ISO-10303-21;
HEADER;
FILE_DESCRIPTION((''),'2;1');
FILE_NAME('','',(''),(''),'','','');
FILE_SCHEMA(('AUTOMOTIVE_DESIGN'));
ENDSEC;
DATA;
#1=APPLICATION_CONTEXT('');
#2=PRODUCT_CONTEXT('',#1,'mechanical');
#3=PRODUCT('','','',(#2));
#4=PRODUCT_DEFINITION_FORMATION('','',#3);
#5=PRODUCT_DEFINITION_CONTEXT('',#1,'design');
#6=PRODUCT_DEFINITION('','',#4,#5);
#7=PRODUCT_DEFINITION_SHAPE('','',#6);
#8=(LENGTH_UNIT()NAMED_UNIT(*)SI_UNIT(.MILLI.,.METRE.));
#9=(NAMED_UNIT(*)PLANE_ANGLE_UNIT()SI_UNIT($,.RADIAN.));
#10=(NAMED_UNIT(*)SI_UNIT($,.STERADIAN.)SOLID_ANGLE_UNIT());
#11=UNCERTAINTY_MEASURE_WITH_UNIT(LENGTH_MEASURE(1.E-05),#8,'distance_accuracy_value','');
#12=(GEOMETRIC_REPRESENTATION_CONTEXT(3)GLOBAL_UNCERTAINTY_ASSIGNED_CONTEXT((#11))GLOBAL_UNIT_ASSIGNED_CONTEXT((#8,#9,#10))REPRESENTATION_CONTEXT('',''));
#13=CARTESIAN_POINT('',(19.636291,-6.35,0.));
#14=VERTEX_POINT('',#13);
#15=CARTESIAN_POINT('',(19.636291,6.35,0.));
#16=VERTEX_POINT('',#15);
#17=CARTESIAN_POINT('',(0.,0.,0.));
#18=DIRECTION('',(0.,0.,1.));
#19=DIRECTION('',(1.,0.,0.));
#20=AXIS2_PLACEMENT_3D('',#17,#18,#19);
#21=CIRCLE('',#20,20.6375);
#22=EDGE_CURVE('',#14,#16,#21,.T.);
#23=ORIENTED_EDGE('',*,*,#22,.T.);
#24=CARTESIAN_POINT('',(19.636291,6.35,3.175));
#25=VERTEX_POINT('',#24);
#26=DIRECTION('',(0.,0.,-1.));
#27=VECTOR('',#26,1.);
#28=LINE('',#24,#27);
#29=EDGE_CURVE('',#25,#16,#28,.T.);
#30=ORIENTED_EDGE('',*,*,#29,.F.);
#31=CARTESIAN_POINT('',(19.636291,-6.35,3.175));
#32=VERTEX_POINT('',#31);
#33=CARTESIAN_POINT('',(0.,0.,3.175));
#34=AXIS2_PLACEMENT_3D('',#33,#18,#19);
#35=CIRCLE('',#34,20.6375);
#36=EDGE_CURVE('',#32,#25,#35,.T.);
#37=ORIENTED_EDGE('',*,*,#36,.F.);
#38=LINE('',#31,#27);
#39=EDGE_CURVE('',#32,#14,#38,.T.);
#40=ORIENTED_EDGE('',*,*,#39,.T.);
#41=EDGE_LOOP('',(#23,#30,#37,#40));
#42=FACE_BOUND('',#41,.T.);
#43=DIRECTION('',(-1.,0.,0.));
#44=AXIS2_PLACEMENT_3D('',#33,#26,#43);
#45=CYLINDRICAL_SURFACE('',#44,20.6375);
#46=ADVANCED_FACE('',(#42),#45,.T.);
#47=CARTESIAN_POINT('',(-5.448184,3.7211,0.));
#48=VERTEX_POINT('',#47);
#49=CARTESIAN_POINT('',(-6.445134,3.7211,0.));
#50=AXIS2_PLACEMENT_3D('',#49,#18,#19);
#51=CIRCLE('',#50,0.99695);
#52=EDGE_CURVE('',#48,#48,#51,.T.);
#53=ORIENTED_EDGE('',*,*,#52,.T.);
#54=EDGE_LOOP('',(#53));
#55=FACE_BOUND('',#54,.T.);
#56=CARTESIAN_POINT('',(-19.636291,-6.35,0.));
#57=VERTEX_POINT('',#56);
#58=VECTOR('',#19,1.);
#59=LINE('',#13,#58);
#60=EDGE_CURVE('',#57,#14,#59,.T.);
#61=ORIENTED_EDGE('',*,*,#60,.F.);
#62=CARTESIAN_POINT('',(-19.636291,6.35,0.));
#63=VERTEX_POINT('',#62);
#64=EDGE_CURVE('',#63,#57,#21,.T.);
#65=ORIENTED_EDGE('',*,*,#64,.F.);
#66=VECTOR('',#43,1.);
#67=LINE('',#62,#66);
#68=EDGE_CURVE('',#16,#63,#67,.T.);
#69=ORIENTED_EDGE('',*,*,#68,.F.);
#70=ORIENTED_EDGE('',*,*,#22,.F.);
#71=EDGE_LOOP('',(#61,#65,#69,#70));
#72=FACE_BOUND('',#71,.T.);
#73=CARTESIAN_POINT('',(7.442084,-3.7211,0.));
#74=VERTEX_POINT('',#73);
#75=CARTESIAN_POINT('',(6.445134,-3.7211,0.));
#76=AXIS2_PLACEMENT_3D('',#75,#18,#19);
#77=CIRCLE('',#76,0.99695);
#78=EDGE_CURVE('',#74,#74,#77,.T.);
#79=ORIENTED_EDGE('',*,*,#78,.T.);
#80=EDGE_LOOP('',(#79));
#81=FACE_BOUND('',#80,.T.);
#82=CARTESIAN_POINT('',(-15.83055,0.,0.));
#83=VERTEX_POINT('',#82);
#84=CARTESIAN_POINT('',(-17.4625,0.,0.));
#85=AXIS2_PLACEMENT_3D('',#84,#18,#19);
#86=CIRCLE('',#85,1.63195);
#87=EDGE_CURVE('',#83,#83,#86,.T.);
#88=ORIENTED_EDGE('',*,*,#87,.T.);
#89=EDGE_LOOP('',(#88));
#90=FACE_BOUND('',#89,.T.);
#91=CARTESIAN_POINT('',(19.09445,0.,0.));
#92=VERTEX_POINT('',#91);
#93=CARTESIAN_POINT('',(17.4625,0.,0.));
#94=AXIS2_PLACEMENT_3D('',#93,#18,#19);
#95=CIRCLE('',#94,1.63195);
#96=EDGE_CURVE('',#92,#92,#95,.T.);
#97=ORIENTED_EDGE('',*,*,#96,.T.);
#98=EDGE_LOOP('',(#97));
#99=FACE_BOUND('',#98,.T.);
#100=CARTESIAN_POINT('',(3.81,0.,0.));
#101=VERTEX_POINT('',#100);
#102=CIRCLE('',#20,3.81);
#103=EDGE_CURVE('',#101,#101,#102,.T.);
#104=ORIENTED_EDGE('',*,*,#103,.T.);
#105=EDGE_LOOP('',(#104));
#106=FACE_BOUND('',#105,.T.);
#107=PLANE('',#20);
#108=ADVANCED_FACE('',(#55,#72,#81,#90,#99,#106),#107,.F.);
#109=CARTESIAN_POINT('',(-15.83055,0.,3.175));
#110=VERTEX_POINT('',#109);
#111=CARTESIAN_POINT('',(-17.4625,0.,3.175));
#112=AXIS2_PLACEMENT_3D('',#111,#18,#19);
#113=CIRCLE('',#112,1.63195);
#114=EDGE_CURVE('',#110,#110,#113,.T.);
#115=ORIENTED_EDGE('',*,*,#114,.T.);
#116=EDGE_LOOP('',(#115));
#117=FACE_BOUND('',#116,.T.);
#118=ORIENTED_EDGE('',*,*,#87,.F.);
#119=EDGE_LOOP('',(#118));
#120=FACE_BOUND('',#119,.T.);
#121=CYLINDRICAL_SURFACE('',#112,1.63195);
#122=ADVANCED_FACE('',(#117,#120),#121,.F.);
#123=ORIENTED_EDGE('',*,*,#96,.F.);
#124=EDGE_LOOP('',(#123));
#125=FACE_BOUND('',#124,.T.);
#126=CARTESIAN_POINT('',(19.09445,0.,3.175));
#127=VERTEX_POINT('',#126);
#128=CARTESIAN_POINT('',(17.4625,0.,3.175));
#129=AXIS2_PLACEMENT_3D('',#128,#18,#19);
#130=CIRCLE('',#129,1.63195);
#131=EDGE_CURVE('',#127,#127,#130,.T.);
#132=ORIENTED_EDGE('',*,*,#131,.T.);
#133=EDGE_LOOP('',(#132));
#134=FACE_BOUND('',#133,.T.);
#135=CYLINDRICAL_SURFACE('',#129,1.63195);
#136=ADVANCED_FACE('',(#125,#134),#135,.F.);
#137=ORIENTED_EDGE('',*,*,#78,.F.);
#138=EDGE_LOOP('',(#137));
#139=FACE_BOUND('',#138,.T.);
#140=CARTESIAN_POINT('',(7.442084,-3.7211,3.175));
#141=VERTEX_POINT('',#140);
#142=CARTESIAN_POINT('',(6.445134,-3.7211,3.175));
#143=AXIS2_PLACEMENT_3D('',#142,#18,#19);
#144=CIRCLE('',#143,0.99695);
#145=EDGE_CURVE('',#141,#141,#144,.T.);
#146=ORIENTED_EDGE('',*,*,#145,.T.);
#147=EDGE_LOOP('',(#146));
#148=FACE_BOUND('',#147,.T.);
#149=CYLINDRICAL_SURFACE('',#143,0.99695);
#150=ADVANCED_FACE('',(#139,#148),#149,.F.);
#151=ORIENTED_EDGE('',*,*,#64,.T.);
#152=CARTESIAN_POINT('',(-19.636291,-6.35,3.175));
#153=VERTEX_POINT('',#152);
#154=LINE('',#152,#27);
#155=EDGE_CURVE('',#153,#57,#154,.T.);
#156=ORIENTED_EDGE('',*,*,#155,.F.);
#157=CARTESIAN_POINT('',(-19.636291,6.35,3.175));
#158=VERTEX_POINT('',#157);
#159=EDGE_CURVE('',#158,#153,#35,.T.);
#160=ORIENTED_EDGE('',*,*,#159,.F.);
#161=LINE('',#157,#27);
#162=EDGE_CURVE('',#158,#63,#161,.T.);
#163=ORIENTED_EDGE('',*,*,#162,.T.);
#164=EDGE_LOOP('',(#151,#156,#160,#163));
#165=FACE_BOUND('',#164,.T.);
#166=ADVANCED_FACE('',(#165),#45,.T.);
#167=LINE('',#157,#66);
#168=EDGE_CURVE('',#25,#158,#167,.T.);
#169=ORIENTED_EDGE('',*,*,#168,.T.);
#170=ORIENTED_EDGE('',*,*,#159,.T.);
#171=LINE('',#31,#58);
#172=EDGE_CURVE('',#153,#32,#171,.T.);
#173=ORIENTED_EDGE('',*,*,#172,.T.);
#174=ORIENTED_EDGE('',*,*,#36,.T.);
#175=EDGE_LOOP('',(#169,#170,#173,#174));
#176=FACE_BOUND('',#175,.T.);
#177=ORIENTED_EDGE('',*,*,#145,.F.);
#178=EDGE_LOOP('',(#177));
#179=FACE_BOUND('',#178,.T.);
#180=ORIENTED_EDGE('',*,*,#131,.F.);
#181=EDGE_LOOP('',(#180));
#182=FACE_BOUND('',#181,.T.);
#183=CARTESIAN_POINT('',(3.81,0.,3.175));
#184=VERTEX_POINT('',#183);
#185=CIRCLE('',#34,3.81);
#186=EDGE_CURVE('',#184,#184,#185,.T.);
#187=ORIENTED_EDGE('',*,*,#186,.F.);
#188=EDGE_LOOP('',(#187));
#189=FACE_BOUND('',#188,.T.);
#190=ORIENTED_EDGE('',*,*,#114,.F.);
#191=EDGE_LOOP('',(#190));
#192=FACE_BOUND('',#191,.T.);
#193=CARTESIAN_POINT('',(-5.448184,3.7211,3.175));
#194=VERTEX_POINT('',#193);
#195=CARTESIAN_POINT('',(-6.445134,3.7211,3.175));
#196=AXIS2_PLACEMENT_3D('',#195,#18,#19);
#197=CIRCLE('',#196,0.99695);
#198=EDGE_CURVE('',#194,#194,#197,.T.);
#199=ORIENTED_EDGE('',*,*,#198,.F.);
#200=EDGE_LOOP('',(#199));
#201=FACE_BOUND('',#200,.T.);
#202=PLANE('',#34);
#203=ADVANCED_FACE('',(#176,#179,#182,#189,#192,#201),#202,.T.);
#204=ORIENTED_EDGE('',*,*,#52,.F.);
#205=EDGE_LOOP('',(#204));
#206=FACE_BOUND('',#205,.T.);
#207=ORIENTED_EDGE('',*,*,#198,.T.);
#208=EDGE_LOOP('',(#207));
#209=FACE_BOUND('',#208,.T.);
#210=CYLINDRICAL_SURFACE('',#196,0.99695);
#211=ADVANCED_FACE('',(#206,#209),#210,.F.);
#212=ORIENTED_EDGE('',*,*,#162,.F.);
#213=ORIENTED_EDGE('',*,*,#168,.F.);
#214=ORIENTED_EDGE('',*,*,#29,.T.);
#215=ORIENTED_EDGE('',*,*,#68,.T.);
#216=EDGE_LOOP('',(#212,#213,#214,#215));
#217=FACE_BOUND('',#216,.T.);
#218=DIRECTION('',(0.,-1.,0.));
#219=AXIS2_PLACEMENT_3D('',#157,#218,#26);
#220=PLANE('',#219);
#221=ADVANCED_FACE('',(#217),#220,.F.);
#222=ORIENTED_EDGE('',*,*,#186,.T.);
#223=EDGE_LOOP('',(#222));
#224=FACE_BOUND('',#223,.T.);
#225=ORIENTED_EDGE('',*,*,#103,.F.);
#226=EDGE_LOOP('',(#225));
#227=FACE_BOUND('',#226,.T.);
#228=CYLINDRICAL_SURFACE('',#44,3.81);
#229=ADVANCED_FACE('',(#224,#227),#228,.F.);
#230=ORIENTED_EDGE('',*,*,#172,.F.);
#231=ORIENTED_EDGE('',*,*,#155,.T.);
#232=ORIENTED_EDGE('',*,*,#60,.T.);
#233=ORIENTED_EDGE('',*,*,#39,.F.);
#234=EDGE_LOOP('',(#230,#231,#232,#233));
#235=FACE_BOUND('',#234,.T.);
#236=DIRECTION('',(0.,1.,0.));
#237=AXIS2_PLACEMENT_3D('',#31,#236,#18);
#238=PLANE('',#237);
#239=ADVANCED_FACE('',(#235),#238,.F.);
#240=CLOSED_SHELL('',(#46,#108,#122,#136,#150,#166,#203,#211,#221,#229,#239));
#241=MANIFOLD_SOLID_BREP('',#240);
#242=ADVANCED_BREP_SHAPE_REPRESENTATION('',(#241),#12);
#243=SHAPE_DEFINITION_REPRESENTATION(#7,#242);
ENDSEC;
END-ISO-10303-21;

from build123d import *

# Parameters (mm, degrees)
SKETCH1_R             = 3.81
BOSS_EXTRUDE1_DEPTH   = 3.175
F_4_CLEARANCE_HOLE1_D = 3.2639
F_3_48_TAPPED_HOLE1_D = 1.9939


with BuildPart() as part:
    # Sketch1 → Boss-Extrude1 (new body)
    with BuildSketch(Plane.XY):
        with BuildLine():
            Line((-19.636290542, 6.35), (19.636290542, 6.35))
            ThreePointArc((19.636290542, 6.35), (20.6375, 0), (19.636290542, -6.35))
            Line((19.636290542, -6.35), (-19.636290542, -6.35))
            ThreePointArc((-19.636290542, -6.35), (-20.6375, 0), (-19.636290542, 6.35))
        make_face()
        Circle(SKETCH1_R, mode=Mode.SUBTRACT)
    extrude(amount=BOSS_EXTRUDE1_DEPTH)

    # #4 Clearance Hole1 (through all)
    with Locations(Plane.XY.offset(3.175)):
        with Locations((-17.4625, 0), (17.4625, 0)):
            Hole(F_4_CLEARANCE_HOLE1_D / 2)

    # #3-48 Tapped Hole1 (through all)
    with Locations(Plane.XY.offset(3.175)):
        with Locations((-6.44513426, 3.7211), (6.44513426, -3.7211)):
            Hole(F_3_48_TAPPED_HOLE1_D / 2)


solid = part.part
